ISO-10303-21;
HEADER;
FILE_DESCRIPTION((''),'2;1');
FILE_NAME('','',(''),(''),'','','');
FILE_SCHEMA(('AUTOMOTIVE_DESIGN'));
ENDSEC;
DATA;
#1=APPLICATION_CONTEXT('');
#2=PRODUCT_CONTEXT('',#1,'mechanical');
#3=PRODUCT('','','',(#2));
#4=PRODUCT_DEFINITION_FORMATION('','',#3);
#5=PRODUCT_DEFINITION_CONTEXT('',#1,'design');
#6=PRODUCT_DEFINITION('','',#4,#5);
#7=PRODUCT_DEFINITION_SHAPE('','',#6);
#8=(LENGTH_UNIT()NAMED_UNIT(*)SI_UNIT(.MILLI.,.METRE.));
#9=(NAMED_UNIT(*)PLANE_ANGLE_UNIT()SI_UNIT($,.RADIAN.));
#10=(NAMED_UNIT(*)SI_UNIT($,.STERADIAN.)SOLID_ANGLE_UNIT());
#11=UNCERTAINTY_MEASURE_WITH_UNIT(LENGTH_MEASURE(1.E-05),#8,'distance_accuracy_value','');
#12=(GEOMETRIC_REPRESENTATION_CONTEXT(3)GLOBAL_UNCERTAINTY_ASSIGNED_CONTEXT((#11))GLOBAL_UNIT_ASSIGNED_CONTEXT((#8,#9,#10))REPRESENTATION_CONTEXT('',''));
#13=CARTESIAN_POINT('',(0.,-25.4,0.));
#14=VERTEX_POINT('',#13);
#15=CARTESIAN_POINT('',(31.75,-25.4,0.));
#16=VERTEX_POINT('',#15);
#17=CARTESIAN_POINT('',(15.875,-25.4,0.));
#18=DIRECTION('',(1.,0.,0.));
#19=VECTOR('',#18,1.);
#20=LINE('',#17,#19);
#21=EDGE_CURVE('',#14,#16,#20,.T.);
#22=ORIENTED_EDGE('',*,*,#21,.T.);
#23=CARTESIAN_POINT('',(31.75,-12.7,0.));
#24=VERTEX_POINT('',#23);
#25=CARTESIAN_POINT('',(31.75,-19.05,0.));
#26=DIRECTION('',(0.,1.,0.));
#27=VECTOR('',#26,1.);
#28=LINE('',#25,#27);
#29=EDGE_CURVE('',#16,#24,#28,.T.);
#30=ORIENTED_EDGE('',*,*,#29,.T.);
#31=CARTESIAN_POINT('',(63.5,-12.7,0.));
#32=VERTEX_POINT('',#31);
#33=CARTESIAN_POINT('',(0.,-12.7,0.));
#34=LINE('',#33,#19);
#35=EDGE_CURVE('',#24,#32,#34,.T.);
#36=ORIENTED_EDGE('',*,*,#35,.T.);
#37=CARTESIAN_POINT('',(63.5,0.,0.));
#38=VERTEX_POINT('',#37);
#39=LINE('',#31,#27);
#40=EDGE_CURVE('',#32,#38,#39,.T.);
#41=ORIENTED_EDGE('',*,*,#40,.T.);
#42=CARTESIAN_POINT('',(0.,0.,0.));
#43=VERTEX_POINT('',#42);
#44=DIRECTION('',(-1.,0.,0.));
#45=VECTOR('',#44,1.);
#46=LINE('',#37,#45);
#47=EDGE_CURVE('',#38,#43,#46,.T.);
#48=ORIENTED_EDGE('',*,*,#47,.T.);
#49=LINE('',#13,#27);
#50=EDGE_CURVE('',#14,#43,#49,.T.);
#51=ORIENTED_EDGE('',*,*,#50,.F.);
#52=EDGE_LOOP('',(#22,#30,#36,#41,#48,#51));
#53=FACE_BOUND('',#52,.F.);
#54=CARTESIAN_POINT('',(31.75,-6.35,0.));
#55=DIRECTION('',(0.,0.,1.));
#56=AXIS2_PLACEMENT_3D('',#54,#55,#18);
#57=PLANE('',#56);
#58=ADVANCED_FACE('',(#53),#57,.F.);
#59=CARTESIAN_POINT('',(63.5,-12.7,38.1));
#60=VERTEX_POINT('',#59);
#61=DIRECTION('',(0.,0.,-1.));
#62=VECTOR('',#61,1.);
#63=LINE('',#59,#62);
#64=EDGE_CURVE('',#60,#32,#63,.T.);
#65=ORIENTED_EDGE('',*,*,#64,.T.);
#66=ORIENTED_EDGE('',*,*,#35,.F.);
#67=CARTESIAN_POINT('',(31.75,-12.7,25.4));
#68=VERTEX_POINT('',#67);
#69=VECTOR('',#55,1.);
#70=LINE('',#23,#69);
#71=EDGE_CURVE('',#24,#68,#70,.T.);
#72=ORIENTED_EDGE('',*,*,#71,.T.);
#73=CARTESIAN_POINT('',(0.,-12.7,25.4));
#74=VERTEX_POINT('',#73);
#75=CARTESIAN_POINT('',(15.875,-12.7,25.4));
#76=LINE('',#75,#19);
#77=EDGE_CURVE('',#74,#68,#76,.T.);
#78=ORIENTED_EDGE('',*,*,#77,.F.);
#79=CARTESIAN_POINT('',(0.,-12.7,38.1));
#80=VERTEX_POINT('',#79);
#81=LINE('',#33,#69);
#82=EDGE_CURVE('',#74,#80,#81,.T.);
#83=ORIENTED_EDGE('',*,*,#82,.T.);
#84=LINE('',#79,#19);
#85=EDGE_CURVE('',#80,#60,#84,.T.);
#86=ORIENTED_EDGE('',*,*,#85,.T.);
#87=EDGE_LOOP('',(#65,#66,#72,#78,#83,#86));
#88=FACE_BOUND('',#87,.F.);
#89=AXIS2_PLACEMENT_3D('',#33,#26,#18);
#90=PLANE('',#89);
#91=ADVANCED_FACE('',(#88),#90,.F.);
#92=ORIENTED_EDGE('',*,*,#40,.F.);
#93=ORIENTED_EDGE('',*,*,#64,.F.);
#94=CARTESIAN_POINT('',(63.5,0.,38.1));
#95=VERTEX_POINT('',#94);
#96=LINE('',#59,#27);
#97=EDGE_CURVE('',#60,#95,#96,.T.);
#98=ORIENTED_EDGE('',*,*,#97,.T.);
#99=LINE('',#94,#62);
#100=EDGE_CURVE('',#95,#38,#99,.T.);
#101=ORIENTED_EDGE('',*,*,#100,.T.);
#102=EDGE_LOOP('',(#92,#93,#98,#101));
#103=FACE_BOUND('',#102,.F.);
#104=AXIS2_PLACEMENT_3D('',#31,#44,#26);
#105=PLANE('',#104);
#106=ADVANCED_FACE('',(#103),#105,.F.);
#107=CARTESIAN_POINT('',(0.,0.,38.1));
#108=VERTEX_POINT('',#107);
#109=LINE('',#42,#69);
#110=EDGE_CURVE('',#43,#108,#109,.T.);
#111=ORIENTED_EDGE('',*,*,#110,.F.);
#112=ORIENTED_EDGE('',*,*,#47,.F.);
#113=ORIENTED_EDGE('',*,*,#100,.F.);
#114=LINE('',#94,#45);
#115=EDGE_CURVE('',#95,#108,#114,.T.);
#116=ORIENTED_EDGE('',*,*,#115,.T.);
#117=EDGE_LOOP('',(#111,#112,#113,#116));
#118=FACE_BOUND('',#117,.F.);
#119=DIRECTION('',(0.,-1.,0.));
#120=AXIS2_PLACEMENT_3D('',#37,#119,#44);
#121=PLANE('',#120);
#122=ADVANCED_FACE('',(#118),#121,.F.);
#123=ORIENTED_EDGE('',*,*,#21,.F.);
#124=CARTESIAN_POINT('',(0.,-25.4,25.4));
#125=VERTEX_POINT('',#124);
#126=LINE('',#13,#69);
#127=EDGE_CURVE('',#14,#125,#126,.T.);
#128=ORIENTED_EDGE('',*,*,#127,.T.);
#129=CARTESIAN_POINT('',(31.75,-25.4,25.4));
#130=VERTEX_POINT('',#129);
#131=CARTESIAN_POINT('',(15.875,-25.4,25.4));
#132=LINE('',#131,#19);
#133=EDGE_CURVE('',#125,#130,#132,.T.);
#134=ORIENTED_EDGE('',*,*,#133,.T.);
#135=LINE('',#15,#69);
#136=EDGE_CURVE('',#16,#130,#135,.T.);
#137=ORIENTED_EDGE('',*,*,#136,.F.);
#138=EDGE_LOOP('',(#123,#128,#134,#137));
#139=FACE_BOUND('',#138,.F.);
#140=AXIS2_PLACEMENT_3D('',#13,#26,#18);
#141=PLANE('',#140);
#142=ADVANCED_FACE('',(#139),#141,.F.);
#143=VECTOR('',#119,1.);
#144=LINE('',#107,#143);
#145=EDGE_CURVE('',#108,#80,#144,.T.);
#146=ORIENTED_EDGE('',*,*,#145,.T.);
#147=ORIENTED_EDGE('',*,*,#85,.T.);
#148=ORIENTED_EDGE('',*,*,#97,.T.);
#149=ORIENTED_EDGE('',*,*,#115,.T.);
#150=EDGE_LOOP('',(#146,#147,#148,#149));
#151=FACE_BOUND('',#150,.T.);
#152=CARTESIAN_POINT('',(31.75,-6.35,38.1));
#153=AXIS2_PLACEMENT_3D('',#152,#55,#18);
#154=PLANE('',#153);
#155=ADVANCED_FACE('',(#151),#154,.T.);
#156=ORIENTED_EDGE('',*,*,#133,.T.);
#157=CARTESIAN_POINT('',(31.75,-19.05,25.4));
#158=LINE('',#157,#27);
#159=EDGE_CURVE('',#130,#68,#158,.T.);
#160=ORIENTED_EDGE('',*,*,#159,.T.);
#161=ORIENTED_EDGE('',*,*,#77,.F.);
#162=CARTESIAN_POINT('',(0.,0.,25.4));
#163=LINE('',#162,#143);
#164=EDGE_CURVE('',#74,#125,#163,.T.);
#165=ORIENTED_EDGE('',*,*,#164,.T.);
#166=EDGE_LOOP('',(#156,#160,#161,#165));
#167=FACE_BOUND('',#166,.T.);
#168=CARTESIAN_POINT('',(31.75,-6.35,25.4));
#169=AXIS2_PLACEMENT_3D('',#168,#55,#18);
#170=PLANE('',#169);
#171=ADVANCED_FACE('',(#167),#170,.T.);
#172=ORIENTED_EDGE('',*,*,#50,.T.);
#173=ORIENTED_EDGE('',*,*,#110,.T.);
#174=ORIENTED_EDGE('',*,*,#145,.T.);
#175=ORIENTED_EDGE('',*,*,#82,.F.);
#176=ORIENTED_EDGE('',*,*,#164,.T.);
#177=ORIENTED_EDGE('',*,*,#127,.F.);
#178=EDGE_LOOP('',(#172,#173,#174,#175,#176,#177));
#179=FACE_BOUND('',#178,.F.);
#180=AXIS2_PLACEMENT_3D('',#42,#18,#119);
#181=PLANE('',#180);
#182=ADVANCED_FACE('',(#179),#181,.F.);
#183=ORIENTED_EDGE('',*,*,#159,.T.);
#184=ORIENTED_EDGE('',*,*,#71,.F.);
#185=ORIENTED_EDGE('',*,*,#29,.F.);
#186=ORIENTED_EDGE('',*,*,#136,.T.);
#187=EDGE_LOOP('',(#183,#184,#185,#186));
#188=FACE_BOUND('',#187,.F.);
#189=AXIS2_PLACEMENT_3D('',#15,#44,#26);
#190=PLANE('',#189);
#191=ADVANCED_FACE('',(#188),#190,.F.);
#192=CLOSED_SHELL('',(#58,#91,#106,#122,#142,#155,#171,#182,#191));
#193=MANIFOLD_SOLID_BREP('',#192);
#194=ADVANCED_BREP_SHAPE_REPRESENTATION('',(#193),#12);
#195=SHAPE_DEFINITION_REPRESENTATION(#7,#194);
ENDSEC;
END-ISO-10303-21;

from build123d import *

# Parameters (mm, degrees)
F1_DEPTH = 38.1
F0_W     = 31.75
F0_H     = 12.7
F2_DEPTH = 25.4


with BuildPart() as f1:
    # F0 (on Top) → F1 (new body)
    with BuildSketch(Plane.XY):
        Polygon((63.5, 0), (0, 0), (0, -12.7), (31.75, -12.7), (63.5, -12.7), align=None)
    extrude(amount=F1_DEPTH)

    # F0 (on Top) → F2 (join)
    with BuildSketch(Plane.XY):
        Polygon((63.5, 0), (0, 0), (0, -12.7), (31.75, -12.7), (63.5, -12.7), align=None)
        with Locations((15.875, -19.05)):
            Rectangle(F0_W, F0_H)
    extrude(amount=F2_DEPTH)


solid = f1.part
